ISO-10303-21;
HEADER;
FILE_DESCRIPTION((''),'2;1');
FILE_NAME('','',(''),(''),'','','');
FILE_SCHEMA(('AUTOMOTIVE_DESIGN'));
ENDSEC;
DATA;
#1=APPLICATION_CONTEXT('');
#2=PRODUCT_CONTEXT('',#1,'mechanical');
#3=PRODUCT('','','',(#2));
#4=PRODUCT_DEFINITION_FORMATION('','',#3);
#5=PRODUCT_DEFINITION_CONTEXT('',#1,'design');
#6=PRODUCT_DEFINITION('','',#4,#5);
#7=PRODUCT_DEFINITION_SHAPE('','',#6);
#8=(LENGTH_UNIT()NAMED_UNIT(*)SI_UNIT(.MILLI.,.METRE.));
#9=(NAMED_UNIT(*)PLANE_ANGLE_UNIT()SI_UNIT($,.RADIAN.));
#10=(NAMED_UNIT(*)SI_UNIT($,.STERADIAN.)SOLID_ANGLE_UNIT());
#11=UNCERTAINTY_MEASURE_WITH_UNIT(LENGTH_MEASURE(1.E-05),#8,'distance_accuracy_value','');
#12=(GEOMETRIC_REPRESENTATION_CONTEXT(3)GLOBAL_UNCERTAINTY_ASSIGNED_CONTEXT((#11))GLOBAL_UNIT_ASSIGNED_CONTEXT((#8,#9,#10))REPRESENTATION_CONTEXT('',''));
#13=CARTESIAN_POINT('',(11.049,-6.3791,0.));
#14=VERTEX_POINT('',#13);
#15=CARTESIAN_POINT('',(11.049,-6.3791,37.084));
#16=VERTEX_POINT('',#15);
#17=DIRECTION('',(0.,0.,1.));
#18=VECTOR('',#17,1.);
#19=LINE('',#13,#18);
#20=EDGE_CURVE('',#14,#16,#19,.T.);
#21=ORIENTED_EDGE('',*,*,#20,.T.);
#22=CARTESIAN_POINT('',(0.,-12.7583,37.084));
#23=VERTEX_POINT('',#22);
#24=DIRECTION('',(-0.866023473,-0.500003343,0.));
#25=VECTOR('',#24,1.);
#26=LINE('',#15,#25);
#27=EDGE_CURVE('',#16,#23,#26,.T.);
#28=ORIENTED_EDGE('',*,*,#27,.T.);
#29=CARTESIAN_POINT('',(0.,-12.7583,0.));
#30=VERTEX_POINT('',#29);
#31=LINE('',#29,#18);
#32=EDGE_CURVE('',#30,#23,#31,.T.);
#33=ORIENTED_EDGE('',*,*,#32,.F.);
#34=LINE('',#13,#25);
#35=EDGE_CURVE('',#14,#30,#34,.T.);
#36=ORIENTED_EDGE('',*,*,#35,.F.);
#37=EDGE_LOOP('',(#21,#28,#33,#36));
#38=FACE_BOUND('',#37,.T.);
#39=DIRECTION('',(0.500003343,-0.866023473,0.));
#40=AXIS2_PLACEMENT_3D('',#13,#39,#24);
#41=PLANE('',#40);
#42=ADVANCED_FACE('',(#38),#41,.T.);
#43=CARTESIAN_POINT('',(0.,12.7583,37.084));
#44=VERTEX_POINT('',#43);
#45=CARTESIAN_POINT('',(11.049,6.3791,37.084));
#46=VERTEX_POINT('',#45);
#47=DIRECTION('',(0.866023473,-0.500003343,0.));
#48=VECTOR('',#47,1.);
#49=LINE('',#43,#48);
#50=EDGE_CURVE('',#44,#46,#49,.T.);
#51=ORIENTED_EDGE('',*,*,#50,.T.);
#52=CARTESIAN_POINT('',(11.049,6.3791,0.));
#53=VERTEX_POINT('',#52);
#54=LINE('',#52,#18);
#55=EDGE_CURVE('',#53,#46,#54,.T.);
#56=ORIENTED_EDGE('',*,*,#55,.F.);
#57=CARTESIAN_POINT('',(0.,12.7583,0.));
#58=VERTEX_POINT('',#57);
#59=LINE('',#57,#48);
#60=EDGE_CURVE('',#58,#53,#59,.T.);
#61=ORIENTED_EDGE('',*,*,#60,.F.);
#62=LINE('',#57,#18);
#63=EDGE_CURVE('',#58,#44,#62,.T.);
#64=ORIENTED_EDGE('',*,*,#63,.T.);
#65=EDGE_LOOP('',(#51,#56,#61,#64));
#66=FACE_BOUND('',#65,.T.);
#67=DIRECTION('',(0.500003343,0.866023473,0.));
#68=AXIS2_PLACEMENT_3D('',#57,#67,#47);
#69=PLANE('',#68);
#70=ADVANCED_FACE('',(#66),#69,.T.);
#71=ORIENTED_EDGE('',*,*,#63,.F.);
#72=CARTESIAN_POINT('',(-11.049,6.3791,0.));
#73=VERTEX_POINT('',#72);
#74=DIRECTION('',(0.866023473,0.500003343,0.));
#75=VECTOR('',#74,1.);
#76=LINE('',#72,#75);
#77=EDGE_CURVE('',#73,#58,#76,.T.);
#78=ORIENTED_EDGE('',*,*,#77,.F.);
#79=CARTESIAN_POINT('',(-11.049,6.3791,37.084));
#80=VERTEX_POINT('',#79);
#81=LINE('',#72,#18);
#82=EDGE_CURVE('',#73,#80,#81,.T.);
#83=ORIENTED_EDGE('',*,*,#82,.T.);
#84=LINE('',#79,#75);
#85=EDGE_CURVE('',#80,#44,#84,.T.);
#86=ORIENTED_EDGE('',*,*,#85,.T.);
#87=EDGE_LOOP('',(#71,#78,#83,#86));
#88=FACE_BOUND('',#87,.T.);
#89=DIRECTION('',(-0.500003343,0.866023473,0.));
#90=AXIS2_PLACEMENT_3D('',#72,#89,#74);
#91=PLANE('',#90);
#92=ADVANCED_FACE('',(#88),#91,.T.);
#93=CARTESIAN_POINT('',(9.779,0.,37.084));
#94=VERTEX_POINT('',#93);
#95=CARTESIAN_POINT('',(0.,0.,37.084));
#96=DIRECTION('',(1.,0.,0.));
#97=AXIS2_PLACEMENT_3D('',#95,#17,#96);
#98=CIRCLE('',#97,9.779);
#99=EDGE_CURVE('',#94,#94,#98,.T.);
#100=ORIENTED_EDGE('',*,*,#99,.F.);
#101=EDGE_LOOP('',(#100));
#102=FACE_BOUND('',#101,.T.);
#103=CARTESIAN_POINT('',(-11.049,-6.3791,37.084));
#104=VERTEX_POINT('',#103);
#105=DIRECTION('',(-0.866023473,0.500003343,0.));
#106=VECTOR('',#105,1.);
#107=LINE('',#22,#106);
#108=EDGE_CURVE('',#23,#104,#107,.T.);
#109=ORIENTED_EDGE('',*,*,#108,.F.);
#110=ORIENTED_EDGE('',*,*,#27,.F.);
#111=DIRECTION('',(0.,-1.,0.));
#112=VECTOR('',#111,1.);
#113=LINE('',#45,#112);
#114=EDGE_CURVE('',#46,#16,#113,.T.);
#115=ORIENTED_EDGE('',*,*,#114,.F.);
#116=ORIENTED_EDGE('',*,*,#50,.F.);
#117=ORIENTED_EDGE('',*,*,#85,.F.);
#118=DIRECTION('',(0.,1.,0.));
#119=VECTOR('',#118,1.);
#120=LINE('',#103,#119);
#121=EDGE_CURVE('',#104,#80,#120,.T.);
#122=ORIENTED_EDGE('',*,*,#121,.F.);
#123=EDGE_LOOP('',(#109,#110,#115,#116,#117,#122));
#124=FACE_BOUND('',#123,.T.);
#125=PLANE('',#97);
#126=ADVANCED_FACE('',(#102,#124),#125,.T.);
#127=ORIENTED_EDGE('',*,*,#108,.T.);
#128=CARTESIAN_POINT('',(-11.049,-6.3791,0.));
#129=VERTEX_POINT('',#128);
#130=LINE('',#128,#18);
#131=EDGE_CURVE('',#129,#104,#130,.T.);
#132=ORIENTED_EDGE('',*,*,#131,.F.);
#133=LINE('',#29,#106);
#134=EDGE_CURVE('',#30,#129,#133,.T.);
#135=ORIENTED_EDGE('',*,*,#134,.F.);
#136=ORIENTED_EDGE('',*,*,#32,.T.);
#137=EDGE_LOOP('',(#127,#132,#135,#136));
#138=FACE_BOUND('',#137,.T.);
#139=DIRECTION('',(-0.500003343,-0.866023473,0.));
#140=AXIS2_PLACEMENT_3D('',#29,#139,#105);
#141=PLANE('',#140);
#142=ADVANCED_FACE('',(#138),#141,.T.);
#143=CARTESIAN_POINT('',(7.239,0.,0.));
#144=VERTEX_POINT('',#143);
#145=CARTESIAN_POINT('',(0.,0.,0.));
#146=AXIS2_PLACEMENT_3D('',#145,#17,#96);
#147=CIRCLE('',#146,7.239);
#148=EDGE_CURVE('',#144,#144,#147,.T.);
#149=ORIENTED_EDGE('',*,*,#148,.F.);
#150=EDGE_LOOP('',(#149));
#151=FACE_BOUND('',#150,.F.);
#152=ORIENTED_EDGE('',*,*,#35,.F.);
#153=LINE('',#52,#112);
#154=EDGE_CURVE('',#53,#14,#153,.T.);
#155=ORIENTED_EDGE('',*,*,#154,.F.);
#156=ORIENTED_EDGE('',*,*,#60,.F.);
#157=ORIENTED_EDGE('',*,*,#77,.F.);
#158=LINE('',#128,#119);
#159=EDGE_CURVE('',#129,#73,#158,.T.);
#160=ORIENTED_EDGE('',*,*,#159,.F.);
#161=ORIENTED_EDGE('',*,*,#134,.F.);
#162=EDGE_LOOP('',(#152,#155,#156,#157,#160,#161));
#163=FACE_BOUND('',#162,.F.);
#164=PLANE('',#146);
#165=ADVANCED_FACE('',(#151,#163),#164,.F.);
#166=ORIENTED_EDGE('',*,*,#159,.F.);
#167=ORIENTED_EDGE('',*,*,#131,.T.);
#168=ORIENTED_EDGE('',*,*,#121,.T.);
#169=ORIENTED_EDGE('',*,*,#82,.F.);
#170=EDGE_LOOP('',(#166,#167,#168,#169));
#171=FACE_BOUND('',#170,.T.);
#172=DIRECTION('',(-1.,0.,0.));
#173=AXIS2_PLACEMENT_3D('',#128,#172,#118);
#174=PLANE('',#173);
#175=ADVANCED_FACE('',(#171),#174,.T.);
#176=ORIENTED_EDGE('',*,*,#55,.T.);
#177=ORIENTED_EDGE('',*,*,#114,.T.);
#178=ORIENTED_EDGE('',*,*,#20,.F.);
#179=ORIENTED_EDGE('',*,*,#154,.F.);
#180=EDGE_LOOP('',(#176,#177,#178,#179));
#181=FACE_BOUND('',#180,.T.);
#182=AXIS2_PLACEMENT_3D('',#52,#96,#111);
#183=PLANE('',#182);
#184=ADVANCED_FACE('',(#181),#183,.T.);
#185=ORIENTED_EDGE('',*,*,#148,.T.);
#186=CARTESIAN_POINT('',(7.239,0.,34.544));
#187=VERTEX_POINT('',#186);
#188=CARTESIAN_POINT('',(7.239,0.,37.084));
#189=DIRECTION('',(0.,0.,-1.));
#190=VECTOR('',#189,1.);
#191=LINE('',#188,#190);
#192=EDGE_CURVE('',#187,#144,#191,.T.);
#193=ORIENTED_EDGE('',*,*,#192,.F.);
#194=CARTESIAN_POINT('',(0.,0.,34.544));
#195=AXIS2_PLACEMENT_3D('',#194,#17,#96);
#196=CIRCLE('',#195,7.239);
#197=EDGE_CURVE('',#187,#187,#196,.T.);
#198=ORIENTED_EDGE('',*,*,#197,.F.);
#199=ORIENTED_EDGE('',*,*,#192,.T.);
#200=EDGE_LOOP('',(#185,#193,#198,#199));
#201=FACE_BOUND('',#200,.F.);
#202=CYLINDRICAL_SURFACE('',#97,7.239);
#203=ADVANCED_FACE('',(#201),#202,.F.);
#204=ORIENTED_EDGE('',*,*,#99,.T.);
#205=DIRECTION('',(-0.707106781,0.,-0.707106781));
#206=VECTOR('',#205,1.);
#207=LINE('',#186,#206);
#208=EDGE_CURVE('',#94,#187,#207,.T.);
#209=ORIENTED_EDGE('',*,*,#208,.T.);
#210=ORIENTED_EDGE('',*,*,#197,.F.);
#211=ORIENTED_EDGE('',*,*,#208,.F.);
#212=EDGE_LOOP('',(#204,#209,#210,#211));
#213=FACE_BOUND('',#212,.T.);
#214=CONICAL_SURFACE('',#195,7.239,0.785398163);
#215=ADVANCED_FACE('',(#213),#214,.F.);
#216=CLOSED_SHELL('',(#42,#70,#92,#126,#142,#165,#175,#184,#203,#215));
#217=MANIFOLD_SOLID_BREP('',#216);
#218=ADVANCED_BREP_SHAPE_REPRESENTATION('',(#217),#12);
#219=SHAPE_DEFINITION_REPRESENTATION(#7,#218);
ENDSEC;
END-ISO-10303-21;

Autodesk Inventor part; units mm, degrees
ref_plane "YZ Plane" through (0, 0, 0) normal (1, 0, 0) x (0, 1, 0)
ref_plane "XZ Plane" through (0, 0, 0) normal (0, 1, 0) x (-1, 0, 0)
ref_plane "XY Plane" through (0, 0, 0) normal (0, 0, 1) x (1, 0, 0)
sketch "Sketch1" plane through (0, 0, 0) normal (0, 0, 1) x (1, 0, 0)
  line L0 (0, 12.7583) -> (11.049, 6.3791)
  line L1 (11.049, 6.3791) -> (11.049, -6.3791)
  line L2 (11.049, -6.3791) -> (0, -12.7583)
  line L3 (0, -12.7583) -> (-11.049, -6.3791)
  line L4 (-11.049, -6.3791) -> (-11.049, 6.3791)
  line L5 (-11.049, 6.3791) -> (0, 12.7583)
  point P0 (0, 0)
  point P1 (0, 0)
  dimension "d0" = 22.098
extrude "Extrusion1" add sketch "Sketch1" along normal blind 37.084
sketch "Sketch2" plane through (0, 0, 37.084) normal (0, 0, 1) x (1, 0, 0)
  circle A0 centre (0, 0) radius 7.239
  dimension "d4" = 14.478
extrude "Extrusion2" cut sketch "Sketch2" against normal blind 37.084
chamfer "Chamfer1" distance 2.54 angle 45 1 edges at (-7.239, 0, 37.084)
thread "Thread1" size "1/2-13 UNC" class "2B" standard "ANSI Unified Screw Threads" full length
thread "Thread2" size "3/4" designation "3/4 - 14 NPT" standard "NPT for PVC Pipe and Fitting" full length
properties part number "inside thread"
